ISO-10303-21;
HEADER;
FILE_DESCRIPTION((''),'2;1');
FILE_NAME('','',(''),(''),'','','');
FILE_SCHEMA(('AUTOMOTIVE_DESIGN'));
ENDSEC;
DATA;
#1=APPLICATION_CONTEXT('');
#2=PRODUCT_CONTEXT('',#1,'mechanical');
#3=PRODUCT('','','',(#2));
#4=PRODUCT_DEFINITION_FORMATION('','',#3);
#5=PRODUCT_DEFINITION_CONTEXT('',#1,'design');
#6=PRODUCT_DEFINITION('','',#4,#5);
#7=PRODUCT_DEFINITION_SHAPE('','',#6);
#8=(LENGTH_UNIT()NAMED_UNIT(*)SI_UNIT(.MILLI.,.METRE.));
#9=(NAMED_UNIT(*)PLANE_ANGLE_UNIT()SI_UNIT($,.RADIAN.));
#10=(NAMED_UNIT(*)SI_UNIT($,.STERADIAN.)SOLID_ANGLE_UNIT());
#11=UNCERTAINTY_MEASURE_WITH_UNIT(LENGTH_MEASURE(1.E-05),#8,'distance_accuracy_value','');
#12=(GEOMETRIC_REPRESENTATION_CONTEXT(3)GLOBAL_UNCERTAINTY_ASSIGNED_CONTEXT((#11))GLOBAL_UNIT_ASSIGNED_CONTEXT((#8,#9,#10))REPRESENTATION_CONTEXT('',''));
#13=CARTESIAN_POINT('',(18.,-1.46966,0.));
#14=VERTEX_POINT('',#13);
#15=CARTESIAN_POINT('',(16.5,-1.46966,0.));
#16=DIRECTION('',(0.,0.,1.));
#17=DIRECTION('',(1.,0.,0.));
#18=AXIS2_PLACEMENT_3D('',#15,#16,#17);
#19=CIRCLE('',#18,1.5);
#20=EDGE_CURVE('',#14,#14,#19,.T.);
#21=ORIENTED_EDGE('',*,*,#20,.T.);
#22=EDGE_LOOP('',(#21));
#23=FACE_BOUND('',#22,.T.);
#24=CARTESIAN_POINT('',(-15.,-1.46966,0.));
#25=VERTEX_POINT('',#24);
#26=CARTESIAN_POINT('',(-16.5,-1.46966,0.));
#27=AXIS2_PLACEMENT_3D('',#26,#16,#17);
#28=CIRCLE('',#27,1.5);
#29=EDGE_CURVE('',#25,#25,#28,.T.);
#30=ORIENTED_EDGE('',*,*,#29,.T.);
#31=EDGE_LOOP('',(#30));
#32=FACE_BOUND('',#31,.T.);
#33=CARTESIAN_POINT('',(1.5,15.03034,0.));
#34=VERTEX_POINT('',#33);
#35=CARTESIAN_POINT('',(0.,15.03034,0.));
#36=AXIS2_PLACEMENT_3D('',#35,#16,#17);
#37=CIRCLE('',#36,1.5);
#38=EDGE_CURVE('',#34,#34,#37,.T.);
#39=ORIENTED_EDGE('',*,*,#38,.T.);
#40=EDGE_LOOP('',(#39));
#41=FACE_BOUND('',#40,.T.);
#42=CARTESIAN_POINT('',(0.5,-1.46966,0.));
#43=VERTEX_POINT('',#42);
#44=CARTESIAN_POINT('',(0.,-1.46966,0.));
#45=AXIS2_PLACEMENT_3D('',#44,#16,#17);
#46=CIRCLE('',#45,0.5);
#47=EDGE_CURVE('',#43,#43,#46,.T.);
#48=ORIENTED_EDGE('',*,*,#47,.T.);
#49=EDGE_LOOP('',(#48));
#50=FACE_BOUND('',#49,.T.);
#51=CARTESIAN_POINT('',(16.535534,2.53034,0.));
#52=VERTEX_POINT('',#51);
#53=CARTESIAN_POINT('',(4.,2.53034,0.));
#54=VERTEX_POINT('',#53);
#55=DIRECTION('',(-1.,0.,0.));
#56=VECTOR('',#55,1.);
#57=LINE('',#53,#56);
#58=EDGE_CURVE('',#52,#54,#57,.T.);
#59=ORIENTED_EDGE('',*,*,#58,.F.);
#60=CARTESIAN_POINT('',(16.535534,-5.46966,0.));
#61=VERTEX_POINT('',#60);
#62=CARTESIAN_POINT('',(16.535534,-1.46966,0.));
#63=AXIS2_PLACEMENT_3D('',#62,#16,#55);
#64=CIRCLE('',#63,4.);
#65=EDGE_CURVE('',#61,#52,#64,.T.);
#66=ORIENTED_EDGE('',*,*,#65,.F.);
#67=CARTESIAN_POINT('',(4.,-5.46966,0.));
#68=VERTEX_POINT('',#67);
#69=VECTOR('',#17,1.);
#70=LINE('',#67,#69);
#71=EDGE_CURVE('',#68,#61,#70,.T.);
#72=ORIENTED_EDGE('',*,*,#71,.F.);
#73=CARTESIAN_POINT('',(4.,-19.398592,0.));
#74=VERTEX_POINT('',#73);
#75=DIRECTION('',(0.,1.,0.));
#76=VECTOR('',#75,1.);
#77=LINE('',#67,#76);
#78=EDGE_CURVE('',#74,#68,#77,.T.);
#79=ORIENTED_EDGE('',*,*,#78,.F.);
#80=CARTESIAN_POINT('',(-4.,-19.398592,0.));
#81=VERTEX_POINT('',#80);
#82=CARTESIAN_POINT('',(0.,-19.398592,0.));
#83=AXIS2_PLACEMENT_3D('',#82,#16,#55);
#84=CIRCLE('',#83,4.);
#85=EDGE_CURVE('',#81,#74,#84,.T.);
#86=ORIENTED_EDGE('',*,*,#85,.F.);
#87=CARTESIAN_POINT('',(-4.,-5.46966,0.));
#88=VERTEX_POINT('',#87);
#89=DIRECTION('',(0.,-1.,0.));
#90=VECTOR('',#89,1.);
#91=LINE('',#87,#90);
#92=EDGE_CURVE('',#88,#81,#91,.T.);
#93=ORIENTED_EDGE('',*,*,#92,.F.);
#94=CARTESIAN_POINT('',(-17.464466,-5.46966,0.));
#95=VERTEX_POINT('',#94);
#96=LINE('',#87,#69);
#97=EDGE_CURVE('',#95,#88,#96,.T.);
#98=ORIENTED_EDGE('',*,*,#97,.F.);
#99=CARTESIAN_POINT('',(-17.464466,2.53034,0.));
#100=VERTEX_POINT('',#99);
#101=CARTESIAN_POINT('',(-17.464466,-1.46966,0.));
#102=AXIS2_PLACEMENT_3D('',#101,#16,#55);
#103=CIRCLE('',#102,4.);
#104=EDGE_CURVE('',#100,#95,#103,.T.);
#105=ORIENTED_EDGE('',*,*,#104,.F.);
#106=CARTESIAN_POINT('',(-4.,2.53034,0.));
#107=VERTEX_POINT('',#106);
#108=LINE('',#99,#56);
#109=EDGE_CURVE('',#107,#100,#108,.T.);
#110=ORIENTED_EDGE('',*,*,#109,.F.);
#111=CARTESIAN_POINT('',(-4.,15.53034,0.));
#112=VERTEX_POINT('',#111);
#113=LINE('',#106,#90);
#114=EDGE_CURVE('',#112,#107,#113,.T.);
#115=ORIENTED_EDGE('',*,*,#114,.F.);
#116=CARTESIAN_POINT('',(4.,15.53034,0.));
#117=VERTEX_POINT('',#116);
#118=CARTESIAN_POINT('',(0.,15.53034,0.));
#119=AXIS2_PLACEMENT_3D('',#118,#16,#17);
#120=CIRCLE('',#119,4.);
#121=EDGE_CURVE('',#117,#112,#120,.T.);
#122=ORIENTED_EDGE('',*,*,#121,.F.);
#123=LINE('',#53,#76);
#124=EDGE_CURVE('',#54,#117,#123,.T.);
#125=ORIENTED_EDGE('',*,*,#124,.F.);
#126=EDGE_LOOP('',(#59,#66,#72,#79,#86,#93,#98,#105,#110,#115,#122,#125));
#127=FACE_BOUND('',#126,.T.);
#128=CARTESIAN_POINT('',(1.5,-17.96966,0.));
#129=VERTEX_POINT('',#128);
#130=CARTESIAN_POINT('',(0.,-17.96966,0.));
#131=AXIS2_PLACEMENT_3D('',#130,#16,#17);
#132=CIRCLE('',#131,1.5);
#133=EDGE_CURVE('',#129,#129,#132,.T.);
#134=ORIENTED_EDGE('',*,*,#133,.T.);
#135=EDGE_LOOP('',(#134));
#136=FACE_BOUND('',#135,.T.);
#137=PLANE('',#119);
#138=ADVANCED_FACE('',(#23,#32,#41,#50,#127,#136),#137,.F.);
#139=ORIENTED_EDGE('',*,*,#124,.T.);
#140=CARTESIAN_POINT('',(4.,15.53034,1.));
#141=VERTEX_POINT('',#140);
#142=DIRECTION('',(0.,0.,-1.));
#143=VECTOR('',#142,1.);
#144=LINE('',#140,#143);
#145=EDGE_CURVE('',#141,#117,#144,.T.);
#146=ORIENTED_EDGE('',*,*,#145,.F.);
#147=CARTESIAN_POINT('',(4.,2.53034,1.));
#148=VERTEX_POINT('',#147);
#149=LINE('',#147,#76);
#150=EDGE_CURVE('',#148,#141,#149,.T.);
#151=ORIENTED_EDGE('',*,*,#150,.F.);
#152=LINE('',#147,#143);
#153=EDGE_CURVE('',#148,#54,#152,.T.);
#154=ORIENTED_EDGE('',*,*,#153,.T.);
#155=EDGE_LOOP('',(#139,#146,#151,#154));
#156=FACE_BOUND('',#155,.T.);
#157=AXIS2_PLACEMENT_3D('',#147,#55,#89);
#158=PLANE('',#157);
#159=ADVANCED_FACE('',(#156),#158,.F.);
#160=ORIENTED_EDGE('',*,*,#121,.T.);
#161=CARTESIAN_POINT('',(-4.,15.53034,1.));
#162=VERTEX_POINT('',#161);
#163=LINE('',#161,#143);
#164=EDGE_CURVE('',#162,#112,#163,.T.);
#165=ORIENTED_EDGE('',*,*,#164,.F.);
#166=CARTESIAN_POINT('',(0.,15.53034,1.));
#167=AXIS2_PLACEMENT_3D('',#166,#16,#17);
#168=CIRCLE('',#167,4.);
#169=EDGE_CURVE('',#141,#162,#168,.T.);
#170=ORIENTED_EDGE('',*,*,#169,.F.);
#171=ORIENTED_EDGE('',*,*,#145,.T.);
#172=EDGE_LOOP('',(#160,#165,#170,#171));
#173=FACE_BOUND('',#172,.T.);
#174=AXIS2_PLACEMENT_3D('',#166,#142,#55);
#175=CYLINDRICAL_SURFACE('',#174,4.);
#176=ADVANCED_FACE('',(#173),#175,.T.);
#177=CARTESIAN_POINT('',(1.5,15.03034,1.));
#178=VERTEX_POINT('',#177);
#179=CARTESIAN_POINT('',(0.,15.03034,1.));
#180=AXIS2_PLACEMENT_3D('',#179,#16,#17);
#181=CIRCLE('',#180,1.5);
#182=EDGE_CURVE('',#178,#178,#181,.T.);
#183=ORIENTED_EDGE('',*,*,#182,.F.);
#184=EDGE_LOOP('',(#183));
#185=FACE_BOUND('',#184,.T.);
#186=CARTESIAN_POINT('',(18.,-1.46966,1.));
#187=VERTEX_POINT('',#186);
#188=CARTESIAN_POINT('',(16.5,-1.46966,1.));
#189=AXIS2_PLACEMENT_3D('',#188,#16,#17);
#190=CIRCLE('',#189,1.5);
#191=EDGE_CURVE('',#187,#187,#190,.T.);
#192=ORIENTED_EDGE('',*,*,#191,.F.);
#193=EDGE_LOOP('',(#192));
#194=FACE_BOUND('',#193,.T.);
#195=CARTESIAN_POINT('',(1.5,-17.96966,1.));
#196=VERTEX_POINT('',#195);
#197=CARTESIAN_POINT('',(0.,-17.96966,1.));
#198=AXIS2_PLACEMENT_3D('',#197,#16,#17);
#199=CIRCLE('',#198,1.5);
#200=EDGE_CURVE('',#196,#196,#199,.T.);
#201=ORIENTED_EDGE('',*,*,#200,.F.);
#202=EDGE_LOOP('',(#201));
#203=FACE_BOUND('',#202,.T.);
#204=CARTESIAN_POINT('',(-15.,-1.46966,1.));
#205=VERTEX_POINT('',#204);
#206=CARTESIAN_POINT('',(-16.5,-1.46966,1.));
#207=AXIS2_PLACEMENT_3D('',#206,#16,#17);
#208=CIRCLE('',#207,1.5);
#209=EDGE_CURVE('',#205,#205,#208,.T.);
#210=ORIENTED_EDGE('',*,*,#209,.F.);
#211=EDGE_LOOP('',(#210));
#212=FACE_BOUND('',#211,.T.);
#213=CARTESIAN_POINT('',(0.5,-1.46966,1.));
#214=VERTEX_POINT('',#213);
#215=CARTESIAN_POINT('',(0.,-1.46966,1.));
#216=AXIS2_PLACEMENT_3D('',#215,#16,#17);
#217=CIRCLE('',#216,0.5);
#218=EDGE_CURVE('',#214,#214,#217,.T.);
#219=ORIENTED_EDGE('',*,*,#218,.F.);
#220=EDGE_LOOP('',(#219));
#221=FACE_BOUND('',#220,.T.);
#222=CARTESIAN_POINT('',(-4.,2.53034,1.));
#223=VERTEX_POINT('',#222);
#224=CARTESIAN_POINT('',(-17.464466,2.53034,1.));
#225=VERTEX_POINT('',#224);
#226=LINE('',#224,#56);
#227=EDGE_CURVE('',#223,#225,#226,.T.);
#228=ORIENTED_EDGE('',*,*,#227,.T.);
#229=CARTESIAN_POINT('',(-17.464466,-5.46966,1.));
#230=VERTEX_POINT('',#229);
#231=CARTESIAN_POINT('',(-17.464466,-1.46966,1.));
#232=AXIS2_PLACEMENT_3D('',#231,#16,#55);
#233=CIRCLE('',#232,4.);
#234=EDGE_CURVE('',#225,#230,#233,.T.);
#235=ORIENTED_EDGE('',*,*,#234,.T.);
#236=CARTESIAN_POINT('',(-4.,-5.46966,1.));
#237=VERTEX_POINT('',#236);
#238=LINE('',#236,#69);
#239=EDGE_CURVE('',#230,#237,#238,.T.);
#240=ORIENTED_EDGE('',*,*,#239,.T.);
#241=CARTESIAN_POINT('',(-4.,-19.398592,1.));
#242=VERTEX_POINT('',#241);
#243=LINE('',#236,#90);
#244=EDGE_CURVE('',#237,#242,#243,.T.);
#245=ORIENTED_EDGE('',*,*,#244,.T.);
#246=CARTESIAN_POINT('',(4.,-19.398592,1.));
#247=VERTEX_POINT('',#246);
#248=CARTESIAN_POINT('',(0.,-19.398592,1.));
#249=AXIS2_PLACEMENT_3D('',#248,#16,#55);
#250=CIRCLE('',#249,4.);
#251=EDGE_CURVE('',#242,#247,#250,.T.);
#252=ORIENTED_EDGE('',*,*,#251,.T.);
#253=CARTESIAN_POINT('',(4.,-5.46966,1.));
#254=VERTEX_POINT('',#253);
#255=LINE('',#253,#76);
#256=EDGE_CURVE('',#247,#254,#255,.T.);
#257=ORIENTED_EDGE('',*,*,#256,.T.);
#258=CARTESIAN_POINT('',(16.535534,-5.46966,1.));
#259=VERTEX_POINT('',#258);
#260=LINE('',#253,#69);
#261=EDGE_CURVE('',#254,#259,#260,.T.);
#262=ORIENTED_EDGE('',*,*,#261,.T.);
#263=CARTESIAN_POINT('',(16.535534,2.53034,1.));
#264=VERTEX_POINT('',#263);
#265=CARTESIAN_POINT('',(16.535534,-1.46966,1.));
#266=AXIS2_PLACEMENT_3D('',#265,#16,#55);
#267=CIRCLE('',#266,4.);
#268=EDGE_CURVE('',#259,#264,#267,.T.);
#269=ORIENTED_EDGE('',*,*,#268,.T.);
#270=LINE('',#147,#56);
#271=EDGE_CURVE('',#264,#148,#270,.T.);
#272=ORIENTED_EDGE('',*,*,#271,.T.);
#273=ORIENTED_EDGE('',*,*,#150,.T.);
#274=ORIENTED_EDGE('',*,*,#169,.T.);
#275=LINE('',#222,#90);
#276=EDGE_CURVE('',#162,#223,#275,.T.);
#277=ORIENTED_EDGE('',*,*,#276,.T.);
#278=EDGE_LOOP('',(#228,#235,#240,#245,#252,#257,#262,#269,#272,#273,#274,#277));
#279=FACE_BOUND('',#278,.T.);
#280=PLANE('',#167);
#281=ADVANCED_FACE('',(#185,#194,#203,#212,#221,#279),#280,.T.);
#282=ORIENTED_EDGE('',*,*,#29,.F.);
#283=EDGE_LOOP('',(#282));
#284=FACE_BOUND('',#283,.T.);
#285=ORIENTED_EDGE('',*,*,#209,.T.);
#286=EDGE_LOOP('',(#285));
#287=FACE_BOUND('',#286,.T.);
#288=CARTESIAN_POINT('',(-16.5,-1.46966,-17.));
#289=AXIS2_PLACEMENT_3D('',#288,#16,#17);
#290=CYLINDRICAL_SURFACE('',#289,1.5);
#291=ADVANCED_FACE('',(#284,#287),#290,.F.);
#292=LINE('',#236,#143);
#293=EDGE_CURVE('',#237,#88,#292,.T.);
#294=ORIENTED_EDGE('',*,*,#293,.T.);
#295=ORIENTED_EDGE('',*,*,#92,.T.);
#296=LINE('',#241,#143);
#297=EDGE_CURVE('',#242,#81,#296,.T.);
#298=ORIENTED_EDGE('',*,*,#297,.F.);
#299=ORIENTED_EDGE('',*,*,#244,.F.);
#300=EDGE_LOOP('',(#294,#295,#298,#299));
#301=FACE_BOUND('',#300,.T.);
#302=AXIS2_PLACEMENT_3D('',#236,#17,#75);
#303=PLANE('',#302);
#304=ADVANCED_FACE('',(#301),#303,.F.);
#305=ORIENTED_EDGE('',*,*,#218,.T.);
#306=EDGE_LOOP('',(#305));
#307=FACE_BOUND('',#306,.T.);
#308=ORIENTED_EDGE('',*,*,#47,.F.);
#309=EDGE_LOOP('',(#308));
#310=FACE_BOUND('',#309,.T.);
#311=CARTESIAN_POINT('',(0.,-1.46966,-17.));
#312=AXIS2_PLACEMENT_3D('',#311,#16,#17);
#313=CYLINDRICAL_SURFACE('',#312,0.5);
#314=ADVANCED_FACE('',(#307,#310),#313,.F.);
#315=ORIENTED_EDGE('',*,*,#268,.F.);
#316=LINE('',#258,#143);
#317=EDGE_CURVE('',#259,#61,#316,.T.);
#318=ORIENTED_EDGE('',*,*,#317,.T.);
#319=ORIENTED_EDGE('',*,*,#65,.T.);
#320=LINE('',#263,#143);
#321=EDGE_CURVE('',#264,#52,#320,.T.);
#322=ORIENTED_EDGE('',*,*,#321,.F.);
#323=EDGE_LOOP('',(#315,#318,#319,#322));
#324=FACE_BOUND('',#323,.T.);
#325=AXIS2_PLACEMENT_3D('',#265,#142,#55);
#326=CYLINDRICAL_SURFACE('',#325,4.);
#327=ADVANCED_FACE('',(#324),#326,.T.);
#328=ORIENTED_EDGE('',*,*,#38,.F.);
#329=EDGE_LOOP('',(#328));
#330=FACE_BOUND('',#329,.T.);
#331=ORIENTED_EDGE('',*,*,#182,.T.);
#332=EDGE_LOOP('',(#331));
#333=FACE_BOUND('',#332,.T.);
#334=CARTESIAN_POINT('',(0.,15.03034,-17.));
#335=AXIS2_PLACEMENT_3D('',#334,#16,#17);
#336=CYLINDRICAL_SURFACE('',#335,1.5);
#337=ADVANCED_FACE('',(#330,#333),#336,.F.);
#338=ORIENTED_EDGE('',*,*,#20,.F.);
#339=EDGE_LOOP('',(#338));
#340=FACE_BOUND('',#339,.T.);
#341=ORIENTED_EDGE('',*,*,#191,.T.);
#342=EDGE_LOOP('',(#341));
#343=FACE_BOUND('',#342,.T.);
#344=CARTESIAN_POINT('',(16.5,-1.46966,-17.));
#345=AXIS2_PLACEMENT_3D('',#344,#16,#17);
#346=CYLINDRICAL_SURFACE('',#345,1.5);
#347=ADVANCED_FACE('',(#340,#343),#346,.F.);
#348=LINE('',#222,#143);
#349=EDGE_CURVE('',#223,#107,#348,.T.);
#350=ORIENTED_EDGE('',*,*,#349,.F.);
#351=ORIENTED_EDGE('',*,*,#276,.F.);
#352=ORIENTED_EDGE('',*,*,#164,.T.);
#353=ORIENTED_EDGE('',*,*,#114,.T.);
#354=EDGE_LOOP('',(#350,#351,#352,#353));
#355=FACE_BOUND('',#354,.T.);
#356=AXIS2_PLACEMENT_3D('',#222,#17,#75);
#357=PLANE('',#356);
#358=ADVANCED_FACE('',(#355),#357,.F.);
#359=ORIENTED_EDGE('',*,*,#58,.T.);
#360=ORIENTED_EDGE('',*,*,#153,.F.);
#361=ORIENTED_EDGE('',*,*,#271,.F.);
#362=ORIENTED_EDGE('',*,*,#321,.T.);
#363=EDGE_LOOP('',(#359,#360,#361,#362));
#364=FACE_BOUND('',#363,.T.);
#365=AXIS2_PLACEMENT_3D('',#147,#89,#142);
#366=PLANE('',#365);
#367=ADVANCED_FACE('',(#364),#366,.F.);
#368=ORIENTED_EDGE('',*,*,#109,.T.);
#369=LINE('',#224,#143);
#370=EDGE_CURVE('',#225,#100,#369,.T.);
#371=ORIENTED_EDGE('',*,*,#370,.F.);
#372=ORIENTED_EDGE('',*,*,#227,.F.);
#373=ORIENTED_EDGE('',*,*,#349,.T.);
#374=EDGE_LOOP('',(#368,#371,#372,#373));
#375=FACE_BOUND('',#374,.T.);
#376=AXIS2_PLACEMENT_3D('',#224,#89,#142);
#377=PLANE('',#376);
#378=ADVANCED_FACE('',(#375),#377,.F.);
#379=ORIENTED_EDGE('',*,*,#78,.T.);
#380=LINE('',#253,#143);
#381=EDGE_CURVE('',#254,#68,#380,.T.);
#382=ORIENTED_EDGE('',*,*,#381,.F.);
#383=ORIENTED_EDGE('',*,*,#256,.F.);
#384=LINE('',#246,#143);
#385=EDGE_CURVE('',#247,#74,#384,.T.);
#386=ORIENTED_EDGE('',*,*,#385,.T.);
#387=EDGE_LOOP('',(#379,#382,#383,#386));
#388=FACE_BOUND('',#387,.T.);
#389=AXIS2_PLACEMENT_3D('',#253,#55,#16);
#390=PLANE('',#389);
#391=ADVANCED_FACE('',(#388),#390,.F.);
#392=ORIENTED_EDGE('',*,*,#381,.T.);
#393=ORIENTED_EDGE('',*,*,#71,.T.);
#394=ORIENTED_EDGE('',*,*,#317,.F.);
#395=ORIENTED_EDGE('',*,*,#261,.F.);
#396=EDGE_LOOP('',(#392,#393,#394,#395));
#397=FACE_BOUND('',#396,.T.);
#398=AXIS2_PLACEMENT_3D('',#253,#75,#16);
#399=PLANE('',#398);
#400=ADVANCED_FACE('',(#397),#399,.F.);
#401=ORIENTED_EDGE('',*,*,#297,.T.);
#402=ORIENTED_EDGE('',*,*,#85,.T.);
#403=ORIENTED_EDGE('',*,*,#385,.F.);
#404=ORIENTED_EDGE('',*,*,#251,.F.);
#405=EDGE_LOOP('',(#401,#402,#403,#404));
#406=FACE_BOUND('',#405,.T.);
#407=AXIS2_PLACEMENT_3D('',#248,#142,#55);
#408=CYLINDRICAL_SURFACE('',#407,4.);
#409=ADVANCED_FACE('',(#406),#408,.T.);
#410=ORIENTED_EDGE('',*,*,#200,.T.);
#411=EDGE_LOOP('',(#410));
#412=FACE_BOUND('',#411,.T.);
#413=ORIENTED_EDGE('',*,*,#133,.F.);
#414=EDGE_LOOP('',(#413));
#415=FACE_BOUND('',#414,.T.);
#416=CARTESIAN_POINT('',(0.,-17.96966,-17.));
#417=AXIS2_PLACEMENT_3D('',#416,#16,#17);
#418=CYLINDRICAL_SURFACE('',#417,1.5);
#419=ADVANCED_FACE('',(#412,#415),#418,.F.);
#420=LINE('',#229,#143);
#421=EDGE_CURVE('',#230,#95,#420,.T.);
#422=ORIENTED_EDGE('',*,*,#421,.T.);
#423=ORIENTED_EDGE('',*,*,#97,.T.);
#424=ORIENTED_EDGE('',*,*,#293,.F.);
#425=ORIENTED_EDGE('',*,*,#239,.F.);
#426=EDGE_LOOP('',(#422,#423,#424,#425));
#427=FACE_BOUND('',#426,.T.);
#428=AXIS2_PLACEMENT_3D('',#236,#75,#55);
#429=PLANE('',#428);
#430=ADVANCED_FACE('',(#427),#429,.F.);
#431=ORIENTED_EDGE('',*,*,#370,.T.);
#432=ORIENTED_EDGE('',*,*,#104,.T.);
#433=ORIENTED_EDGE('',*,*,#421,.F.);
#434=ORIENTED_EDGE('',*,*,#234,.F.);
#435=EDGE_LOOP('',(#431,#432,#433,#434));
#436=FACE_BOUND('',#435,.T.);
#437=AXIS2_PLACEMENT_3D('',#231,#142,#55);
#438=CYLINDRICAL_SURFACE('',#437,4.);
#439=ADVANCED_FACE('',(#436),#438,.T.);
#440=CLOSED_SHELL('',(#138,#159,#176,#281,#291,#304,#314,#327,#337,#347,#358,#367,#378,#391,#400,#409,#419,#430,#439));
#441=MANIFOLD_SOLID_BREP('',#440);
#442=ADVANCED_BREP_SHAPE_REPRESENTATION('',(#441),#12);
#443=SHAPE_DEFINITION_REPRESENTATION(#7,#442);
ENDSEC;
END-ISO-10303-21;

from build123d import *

# Parameters (mm, degrees)
BOSS_EXTRU_1_DEPTH      = 1
ESQUISSE2_R             = 1.5
ESQUISSE2_R_2           = 0.5
ENL_V_MAT_EXTRU_1_DEPTH = 18


with BuildPart() as part:
    # Esquisse1 → Boss.-Extru.1 (new body)
    with BuildSketch(Plane.XY):
        with BuildLine():
            Line((-4, 2.530340064), (-4, 15.530340064))
            ThreePointArc((-4, 15.530340064), (0, 19.530340064), (4, 15.530340064))
            Line((4, 15.530340064), (4, 2.530340064))
            Line((4, 2.530340064), (16.535533906, 2.530340064))
            ThreePointArc((16.535533906, 2.530340064), (20.535533906, -1.469659936), (16.535533906, -5.469659936))
            Line((16.535533906, -5.469659936), (4, -5.469659936))
            Line((4, -5.469659936), (4, -19.398592124))
            ThreePointArc((4, -19.398592124), (0, -23.398592124), (-4, -19.398592124))
            Line((-4, -19.398592124), (-4, -5.469659936))
            Line((-4, -5.469659936), (-17.464466094, -5.469659936))
            ThreePointArc((-17.464466094, -5.469659936), (-21.464466094, -1.469659936), (-17.464466094, 2.530340064))
            Line((-17.464466094, 2.530340064), (-4, 2.530340064))
        make_face()
    extrude(amount=BOSS_EXTRU_1_DEPTH)

    # Esquisse2 → Enlèv. mat.-Extru.1 (cut)
    with BuildSketch(Plane.XY.offset(1)):
        with Locations((0, 15.030340064)):
            Circle(ESQUISSE2_R)
        with Locations((16.5, -1.469659936)):
            Circle(ESQUISSE2_R)
        with Locations((0, -17.969659936)):
            Circle(ESQUISSE2_R)
        with Locations((-16.5, -1.469659936)):
            Circle(ESQUISSE2_R)
        with Locations((0, -1.469659936)):
            Circle(ESQUISSE2_R_2)
    extrude(amount=-ENL_V_MAT_EXTRU_1_DEPTH, mode=Mode.SUBTRACT)


solid = part.part
